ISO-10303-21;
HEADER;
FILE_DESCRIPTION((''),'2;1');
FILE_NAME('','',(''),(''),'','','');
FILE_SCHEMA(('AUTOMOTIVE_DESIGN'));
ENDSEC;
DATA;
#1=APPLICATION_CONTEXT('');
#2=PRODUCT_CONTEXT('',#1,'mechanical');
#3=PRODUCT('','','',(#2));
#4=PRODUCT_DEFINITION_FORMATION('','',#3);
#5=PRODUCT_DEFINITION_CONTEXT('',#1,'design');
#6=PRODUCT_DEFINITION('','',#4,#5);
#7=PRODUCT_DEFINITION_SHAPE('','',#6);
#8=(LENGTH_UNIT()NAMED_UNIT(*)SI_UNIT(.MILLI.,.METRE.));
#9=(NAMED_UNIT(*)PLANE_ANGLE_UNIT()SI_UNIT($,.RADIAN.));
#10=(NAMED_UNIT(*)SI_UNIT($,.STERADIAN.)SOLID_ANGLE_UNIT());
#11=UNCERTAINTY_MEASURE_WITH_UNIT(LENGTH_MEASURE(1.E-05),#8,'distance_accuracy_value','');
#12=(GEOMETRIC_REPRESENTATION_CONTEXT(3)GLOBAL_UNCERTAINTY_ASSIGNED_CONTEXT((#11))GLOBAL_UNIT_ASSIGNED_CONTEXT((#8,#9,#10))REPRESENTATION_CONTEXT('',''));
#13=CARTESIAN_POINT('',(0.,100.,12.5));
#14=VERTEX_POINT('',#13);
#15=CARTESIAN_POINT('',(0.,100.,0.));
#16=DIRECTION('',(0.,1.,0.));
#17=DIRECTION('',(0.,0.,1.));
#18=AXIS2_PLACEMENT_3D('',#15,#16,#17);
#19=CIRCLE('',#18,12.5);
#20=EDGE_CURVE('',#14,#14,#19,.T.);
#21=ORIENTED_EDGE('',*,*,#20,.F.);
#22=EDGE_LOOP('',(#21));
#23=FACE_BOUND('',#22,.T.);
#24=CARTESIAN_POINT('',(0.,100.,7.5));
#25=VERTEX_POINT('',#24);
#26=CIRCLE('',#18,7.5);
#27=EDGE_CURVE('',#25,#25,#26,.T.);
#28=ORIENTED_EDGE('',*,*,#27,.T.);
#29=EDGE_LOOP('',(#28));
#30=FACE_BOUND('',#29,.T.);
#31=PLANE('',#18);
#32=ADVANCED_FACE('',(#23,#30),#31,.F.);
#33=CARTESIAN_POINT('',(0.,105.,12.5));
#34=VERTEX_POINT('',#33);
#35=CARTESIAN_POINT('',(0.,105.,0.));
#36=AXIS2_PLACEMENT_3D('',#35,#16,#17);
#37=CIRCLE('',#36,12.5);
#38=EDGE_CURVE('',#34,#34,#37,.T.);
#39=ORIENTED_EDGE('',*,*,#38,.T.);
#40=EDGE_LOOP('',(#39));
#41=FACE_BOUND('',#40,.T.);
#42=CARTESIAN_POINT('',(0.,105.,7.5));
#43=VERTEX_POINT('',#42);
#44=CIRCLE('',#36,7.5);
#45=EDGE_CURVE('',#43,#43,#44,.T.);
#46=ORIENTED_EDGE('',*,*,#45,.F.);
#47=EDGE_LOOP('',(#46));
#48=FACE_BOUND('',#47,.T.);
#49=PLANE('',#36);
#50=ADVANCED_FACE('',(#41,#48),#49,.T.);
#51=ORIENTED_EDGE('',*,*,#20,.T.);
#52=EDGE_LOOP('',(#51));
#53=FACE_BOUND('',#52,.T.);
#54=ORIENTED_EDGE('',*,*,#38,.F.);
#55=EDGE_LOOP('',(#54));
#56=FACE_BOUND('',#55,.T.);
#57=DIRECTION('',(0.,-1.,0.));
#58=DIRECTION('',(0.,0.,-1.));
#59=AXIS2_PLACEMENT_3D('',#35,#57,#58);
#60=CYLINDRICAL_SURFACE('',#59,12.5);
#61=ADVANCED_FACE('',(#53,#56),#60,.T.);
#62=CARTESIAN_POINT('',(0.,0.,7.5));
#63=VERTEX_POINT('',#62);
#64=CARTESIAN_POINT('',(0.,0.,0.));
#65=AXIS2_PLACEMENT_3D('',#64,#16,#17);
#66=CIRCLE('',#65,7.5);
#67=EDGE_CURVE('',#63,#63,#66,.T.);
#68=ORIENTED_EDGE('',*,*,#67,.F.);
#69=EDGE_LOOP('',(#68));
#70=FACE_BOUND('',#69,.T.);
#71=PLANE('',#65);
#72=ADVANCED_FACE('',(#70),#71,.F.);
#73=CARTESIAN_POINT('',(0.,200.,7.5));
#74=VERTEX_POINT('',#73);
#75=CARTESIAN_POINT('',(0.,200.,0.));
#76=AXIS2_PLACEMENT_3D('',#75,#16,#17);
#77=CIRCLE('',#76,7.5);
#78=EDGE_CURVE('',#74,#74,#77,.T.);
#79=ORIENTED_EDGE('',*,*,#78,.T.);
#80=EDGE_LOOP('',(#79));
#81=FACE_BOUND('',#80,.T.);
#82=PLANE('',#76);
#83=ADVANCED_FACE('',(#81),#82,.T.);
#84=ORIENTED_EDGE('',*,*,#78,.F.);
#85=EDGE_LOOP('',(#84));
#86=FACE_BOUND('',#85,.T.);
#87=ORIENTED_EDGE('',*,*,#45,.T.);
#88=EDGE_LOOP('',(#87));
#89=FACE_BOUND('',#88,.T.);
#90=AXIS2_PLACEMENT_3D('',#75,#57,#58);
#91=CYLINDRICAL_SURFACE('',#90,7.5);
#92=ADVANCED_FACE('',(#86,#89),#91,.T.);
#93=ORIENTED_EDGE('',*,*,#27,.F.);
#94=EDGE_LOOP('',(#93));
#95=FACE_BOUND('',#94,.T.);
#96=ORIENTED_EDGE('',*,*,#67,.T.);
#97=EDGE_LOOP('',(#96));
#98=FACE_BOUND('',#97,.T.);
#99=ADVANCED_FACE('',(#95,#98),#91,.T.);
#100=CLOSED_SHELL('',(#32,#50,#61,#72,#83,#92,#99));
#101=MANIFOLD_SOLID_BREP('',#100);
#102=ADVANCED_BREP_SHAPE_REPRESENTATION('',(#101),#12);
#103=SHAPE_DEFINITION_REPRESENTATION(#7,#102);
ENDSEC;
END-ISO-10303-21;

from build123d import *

# Parameters (mm, degrees)
SKETCH1_R           = 7.5
BOSS_EXTRUDE1_DEPTH = 200
BOSS_EXTRUDE2_START = -100
SKETCH2_R           = 12.5
BOSS_EXTRUDE2_DEPTH = 5


with BuildPart() as part:
    # Sketch1 → Boss-Extrude1 (new body)
    with BuildSketch(Plane(origin=(0, 0, 0), x_dir=(1, 0, 0), z_dir=(0, 1, 0))):
        with Locations(Location((0, 0, 0), (0, 0, 270))):
            Circle(SKETCH1_R)
    extrude(amount=BOSS_EXTRUDE1_DEPTH)

    # Sketch2 → Boss-Extrude2 (add)
    with BuildSketch(Plane(origin=(0, 200, 0), x_dir=(1, 0, 0), z_dir=(0, 1, 0)).offset(BOSS_EXTRUDE2_START)):
        with Locations(Location((0, 0, 0), (0, 0, 270))):
            Circle(SKETCH2_R)
    extrude(amount=BOSS_EXTRUDE2_DEPTH)


solid = part.part
